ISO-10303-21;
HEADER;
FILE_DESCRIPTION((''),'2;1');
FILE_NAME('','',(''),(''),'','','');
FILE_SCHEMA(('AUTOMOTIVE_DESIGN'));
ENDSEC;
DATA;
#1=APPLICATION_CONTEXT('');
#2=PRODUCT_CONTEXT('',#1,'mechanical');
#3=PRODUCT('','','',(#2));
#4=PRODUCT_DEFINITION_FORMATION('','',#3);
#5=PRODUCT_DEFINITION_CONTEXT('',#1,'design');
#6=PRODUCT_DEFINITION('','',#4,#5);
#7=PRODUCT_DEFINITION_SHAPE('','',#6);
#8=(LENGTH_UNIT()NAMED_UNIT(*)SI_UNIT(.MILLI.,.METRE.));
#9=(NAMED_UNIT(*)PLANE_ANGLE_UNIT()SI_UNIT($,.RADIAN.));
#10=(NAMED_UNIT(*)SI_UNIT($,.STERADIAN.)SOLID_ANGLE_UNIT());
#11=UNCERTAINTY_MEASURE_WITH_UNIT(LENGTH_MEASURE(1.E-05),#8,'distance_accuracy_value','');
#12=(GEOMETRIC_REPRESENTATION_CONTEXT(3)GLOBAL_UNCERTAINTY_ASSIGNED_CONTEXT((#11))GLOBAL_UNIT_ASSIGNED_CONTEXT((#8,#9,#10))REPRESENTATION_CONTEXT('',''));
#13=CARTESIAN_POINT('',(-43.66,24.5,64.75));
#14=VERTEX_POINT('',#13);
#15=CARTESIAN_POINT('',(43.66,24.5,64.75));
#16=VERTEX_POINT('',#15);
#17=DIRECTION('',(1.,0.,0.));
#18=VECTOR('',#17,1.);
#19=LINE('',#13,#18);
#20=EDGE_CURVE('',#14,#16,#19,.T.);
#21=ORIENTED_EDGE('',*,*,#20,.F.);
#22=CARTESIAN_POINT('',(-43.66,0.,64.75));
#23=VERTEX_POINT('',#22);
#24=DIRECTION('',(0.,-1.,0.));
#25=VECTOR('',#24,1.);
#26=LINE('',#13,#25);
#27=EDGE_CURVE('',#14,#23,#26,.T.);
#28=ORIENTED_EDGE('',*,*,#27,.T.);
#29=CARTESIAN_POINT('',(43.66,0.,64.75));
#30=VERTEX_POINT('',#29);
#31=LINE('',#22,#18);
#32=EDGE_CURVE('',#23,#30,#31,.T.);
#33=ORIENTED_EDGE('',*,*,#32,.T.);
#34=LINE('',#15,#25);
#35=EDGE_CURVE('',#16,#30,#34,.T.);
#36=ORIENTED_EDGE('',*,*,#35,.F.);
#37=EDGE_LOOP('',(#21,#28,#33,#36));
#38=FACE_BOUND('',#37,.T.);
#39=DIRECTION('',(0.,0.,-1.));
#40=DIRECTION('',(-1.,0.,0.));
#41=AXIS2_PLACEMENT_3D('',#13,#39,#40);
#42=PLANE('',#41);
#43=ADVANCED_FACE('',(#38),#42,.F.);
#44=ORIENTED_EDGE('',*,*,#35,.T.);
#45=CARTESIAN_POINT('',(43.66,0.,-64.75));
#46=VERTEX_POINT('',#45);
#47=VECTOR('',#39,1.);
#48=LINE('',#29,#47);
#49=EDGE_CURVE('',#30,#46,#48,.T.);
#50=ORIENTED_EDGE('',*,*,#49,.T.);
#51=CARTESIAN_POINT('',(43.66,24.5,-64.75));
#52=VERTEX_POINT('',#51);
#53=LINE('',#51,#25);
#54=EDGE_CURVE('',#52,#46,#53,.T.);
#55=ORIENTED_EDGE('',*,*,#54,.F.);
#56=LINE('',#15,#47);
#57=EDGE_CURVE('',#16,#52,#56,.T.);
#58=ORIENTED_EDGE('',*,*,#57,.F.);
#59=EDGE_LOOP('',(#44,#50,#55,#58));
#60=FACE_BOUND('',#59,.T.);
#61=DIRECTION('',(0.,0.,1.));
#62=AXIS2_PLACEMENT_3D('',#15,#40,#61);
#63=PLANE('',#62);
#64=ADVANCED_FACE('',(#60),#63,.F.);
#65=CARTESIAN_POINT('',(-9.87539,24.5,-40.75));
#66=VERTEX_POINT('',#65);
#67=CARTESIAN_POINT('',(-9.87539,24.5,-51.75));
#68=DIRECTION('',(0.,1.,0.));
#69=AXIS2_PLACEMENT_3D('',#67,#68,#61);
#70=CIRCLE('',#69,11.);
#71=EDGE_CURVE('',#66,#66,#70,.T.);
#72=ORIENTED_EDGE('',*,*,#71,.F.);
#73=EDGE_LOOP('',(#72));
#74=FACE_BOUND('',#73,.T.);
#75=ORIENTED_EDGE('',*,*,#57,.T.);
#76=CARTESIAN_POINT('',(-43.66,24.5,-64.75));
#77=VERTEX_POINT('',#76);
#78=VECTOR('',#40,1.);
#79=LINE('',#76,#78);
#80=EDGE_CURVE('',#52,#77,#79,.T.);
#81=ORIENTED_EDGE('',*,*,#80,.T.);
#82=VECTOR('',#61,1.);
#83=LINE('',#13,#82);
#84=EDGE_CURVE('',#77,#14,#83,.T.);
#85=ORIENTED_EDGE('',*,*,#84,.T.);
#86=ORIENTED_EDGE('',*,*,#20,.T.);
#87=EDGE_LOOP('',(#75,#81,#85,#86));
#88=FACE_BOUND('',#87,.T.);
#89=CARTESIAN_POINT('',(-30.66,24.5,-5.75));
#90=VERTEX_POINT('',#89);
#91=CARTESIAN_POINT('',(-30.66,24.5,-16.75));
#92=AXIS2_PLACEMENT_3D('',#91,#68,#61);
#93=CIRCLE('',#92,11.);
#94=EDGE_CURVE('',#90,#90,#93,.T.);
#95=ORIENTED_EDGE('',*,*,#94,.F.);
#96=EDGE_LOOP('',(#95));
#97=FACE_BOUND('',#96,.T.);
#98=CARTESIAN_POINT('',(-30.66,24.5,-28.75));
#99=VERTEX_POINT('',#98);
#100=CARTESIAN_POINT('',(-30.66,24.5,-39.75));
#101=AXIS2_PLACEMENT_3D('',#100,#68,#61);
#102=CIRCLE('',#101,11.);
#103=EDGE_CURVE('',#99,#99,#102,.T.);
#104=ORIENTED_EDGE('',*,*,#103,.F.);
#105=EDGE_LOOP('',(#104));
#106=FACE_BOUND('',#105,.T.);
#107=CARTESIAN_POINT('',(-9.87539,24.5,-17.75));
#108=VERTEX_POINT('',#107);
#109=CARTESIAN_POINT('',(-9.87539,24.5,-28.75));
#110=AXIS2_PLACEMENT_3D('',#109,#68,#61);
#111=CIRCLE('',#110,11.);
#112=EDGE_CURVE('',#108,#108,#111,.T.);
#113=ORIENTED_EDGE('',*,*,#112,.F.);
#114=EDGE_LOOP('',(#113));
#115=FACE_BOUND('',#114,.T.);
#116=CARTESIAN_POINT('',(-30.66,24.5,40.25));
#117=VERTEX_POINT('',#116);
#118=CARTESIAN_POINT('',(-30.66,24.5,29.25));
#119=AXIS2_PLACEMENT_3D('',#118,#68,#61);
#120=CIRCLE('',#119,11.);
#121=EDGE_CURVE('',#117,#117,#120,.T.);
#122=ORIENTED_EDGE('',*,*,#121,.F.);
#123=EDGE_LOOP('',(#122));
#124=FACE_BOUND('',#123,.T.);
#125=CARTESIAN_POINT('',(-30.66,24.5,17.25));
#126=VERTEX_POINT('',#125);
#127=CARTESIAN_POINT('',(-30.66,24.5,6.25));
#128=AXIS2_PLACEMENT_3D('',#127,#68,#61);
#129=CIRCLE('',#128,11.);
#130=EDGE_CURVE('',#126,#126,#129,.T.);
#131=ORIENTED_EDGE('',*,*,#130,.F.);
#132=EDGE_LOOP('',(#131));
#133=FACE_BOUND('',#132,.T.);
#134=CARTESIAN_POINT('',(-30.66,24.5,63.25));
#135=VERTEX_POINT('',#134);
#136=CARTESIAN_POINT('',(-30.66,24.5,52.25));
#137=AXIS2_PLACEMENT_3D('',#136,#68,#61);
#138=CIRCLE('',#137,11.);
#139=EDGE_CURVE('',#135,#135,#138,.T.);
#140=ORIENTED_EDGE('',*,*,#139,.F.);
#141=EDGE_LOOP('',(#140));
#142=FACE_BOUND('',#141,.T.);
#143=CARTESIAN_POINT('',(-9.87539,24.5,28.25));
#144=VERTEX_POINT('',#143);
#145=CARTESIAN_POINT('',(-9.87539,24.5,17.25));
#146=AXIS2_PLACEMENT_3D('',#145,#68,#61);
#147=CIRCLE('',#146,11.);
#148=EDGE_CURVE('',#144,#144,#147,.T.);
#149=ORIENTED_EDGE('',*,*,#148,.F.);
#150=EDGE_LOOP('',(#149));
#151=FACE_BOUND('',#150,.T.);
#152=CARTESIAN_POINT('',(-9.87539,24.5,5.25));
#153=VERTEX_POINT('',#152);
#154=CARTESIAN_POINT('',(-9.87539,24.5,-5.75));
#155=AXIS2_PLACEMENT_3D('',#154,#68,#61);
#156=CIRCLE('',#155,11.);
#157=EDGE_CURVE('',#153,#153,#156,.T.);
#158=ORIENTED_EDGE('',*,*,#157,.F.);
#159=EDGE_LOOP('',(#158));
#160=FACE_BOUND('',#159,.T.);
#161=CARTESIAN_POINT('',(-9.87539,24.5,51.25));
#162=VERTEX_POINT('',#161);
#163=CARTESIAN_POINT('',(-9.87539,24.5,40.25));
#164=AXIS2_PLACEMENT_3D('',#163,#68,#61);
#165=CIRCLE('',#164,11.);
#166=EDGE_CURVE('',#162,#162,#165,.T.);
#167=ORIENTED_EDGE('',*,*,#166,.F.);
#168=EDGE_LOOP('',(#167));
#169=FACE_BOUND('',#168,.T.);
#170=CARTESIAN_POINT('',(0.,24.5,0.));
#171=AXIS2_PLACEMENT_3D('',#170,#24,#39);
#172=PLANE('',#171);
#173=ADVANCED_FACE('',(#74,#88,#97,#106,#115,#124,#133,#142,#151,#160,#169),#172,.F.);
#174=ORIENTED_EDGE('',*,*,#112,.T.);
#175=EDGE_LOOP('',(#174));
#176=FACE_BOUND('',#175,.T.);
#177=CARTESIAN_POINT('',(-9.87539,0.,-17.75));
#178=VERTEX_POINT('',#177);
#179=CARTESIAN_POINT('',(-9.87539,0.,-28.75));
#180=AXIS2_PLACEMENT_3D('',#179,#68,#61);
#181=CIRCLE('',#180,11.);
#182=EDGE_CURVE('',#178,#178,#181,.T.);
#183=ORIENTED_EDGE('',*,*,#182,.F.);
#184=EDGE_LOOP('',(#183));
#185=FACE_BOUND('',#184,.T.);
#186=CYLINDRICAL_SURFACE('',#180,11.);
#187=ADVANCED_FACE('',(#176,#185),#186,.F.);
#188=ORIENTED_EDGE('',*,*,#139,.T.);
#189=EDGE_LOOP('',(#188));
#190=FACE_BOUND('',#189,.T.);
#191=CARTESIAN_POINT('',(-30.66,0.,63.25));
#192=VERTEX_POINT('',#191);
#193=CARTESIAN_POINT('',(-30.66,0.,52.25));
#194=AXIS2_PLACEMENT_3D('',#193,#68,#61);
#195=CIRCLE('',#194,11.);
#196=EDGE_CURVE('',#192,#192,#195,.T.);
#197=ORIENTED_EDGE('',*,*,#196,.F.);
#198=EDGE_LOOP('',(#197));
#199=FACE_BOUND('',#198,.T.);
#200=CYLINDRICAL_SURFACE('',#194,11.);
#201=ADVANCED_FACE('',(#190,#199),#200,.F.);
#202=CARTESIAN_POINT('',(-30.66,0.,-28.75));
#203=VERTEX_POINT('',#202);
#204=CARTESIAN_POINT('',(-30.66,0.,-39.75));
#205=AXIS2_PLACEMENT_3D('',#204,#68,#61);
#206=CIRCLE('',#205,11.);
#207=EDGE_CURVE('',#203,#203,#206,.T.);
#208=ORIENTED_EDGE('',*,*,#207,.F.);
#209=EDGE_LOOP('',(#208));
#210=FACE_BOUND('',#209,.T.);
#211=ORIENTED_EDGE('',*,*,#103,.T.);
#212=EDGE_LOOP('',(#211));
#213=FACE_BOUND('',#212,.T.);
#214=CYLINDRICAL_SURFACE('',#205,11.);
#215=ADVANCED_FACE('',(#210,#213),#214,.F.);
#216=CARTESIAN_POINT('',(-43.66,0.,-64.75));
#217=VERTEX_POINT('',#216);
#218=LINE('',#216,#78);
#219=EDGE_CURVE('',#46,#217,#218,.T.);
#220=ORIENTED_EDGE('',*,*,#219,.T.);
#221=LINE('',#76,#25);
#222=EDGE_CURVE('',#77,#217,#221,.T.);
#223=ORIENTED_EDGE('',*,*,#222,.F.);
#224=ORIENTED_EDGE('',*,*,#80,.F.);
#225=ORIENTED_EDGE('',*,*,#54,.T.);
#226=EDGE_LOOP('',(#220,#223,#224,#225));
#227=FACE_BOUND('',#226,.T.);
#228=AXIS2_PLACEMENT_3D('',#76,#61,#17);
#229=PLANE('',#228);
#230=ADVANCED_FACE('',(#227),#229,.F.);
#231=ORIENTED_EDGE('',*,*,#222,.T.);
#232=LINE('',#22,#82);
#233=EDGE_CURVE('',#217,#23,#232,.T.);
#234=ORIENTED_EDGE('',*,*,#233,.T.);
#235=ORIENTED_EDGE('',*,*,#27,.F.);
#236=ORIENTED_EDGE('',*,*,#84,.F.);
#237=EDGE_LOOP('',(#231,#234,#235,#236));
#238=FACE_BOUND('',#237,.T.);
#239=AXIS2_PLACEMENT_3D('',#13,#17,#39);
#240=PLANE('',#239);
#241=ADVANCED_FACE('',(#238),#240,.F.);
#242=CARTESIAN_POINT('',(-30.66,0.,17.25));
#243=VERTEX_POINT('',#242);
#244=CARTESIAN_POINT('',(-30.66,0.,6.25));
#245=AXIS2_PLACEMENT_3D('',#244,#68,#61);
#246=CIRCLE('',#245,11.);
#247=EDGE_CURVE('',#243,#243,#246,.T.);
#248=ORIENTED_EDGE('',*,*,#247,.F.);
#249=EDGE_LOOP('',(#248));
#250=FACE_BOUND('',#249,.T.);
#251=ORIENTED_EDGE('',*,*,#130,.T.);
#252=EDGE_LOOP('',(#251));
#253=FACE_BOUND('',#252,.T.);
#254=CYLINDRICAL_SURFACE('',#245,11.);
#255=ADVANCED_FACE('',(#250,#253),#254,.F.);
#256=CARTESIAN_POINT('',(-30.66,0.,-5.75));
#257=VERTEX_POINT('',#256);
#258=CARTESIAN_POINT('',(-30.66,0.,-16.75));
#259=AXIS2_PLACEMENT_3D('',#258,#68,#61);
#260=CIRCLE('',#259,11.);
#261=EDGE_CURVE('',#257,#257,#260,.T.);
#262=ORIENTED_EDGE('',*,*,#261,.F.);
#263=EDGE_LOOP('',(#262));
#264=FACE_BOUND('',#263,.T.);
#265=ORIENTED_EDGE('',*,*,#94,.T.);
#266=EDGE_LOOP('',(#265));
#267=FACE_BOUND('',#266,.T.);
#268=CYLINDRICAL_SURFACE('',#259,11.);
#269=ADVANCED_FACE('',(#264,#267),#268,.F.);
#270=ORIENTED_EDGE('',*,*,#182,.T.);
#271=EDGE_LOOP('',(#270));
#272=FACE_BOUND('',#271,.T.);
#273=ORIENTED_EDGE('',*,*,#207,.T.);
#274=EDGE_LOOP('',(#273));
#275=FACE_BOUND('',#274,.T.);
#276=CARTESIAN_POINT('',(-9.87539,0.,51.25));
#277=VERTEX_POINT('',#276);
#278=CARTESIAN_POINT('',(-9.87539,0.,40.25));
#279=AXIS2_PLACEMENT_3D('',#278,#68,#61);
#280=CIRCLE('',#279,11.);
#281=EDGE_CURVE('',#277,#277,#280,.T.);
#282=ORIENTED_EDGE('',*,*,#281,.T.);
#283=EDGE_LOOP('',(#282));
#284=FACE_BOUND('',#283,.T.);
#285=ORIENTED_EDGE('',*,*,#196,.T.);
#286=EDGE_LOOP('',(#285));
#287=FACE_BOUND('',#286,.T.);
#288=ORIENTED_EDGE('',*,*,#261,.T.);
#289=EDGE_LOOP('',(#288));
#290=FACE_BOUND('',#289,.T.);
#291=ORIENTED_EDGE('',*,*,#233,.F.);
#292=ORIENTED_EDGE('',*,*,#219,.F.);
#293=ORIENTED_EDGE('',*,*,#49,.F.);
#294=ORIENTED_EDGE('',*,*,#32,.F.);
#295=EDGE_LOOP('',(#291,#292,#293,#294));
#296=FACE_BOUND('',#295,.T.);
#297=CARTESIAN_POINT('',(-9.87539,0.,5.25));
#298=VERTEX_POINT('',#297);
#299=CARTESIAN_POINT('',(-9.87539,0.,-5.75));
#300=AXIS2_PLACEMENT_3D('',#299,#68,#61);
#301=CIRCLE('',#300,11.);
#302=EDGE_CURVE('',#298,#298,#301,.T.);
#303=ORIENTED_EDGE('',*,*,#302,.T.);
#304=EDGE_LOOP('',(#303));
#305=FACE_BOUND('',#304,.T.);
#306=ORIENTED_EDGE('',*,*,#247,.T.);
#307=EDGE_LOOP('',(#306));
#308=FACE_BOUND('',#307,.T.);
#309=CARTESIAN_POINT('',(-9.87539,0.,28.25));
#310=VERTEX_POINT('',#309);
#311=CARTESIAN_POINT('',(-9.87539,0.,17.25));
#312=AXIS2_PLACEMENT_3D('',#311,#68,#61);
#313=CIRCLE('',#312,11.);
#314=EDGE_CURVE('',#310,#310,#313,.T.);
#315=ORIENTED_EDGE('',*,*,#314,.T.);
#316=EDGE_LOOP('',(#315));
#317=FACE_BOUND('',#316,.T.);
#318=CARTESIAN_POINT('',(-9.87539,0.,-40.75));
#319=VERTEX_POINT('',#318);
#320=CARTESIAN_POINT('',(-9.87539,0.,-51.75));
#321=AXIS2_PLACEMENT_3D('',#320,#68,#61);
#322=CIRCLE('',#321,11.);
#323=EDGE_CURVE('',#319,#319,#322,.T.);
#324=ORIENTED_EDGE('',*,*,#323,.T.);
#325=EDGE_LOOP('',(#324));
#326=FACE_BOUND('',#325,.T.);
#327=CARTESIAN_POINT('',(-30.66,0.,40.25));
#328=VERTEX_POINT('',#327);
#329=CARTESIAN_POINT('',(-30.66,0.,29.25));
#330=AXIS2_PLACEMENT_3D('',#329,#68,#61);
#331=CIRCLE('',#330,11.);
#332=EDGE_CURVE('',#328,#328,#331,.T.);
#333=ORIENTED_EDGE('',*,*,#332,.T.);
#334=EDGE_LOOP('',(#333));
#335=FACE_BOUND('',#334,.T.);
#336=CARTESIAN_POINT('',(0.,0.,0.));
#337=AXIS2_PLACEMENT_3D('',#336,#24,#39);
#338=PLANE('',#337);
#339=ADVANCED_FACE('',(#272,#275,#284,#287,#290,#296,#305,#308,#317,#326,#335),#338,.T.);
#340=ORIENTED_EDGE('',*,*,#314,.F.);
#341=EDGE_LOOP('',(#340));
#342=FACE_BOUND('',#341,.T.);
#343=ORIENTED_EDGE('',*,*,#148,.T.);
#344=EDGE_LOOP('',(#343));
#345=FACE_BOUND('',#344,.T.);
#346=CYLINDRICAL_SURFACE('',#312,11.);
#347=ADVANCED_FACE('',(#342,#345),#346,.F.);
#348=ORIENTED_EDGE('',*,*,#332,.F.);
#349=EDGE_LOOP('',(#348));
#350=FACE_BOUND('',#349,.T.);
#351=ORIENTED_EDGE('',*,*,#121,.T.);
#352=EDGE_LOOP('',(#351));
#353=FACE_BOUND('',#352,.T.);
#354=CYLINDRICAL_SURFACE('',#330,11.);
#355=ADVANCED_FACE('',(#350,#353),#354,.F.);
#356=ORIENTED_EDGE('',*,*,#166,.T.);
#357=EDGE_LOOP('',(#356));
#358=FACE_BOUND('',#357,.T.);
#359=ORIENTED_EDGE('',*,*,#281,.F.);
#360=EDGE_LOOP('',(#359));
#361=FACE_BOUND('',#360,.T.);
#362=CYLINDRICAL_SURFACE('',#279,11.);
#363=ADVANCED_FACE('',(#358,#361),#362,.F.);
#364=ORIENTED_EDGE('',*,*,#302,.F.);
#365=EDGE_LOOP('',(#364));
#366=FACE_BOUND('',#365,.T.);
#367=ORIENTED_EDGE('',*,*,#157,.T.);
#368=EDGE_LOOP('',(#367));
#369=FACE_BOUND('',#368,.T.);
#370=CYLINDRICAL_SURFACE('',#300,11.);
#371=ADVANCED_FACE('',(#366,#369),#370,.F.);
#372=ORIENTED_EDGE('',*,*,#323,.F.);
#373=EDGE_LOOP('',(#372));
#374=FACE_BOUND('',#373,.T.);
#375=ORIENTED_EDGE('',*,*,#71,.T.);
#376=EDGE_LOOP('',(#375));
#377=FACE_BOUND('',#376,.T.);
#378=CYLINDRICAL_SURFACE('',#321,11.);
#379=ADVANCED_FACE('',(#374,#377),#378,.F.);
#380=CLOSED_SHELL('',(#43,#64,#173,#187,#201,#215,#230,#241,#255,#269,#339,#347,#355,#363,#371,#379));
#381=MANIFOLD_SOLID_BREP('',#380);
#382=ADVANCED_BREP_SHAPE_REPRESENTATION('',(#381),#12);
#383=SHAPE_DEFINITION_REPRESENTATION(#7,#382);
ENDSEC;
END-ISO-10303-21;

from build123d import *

# Parameters (mm, degrees)
SKETCH2_W           = 87.32
SKETCH2_H           = 129.5
BOSS_EXTRUDE1_DEPTH = 24.5
SKETCH3_R           = 11
CUT_EXTRUDE1_DEPTH  = 25.5
LPATTERN1_COUNT     = 5
LPATTERN1_PITCH     = 23


with BuildPart() as part:
    # Sketch2 → Boss-Extrude1 (new body)
    with BuildSketch(Plane(origin=(0, 0, 0), x_dir=(1, 0, 0), z_dir=(0, 1, 0))):
        Rectangle(SKETCH2_W, SKETCH2_H)
    extrude(amount=BOSS_EXTRUDE1_DEPTH)

    # Sketch3 → Cut-Extrude1 (cut, through all)
    with BuildSketch(Plane(origin=(0, 24.5, 0), x_dir=(1, 0, 0), z_dir=(0, 1, 0))):
        with Locations((-30.66, 39.75)):
            Circle(SKETCH3_R)
        with Locations((-9.875390309, 51.75)):
            Circle(SKETCH3_R)
    cut_extrude1 = extrude(amount=-CUT_EXTRUDE1_DEPTH, mode=Mode.SUBTRACT)

    # LPattern1: Cut-Extrude1 ×5
    with Locations(*[(0, 0, i * LPATTERN1_PITCH) for i in range(1, LPATTERN1_COUNT)]):
        add(cut_extrude1, mode=Mode.SUBTRACT)


solid = part.part
